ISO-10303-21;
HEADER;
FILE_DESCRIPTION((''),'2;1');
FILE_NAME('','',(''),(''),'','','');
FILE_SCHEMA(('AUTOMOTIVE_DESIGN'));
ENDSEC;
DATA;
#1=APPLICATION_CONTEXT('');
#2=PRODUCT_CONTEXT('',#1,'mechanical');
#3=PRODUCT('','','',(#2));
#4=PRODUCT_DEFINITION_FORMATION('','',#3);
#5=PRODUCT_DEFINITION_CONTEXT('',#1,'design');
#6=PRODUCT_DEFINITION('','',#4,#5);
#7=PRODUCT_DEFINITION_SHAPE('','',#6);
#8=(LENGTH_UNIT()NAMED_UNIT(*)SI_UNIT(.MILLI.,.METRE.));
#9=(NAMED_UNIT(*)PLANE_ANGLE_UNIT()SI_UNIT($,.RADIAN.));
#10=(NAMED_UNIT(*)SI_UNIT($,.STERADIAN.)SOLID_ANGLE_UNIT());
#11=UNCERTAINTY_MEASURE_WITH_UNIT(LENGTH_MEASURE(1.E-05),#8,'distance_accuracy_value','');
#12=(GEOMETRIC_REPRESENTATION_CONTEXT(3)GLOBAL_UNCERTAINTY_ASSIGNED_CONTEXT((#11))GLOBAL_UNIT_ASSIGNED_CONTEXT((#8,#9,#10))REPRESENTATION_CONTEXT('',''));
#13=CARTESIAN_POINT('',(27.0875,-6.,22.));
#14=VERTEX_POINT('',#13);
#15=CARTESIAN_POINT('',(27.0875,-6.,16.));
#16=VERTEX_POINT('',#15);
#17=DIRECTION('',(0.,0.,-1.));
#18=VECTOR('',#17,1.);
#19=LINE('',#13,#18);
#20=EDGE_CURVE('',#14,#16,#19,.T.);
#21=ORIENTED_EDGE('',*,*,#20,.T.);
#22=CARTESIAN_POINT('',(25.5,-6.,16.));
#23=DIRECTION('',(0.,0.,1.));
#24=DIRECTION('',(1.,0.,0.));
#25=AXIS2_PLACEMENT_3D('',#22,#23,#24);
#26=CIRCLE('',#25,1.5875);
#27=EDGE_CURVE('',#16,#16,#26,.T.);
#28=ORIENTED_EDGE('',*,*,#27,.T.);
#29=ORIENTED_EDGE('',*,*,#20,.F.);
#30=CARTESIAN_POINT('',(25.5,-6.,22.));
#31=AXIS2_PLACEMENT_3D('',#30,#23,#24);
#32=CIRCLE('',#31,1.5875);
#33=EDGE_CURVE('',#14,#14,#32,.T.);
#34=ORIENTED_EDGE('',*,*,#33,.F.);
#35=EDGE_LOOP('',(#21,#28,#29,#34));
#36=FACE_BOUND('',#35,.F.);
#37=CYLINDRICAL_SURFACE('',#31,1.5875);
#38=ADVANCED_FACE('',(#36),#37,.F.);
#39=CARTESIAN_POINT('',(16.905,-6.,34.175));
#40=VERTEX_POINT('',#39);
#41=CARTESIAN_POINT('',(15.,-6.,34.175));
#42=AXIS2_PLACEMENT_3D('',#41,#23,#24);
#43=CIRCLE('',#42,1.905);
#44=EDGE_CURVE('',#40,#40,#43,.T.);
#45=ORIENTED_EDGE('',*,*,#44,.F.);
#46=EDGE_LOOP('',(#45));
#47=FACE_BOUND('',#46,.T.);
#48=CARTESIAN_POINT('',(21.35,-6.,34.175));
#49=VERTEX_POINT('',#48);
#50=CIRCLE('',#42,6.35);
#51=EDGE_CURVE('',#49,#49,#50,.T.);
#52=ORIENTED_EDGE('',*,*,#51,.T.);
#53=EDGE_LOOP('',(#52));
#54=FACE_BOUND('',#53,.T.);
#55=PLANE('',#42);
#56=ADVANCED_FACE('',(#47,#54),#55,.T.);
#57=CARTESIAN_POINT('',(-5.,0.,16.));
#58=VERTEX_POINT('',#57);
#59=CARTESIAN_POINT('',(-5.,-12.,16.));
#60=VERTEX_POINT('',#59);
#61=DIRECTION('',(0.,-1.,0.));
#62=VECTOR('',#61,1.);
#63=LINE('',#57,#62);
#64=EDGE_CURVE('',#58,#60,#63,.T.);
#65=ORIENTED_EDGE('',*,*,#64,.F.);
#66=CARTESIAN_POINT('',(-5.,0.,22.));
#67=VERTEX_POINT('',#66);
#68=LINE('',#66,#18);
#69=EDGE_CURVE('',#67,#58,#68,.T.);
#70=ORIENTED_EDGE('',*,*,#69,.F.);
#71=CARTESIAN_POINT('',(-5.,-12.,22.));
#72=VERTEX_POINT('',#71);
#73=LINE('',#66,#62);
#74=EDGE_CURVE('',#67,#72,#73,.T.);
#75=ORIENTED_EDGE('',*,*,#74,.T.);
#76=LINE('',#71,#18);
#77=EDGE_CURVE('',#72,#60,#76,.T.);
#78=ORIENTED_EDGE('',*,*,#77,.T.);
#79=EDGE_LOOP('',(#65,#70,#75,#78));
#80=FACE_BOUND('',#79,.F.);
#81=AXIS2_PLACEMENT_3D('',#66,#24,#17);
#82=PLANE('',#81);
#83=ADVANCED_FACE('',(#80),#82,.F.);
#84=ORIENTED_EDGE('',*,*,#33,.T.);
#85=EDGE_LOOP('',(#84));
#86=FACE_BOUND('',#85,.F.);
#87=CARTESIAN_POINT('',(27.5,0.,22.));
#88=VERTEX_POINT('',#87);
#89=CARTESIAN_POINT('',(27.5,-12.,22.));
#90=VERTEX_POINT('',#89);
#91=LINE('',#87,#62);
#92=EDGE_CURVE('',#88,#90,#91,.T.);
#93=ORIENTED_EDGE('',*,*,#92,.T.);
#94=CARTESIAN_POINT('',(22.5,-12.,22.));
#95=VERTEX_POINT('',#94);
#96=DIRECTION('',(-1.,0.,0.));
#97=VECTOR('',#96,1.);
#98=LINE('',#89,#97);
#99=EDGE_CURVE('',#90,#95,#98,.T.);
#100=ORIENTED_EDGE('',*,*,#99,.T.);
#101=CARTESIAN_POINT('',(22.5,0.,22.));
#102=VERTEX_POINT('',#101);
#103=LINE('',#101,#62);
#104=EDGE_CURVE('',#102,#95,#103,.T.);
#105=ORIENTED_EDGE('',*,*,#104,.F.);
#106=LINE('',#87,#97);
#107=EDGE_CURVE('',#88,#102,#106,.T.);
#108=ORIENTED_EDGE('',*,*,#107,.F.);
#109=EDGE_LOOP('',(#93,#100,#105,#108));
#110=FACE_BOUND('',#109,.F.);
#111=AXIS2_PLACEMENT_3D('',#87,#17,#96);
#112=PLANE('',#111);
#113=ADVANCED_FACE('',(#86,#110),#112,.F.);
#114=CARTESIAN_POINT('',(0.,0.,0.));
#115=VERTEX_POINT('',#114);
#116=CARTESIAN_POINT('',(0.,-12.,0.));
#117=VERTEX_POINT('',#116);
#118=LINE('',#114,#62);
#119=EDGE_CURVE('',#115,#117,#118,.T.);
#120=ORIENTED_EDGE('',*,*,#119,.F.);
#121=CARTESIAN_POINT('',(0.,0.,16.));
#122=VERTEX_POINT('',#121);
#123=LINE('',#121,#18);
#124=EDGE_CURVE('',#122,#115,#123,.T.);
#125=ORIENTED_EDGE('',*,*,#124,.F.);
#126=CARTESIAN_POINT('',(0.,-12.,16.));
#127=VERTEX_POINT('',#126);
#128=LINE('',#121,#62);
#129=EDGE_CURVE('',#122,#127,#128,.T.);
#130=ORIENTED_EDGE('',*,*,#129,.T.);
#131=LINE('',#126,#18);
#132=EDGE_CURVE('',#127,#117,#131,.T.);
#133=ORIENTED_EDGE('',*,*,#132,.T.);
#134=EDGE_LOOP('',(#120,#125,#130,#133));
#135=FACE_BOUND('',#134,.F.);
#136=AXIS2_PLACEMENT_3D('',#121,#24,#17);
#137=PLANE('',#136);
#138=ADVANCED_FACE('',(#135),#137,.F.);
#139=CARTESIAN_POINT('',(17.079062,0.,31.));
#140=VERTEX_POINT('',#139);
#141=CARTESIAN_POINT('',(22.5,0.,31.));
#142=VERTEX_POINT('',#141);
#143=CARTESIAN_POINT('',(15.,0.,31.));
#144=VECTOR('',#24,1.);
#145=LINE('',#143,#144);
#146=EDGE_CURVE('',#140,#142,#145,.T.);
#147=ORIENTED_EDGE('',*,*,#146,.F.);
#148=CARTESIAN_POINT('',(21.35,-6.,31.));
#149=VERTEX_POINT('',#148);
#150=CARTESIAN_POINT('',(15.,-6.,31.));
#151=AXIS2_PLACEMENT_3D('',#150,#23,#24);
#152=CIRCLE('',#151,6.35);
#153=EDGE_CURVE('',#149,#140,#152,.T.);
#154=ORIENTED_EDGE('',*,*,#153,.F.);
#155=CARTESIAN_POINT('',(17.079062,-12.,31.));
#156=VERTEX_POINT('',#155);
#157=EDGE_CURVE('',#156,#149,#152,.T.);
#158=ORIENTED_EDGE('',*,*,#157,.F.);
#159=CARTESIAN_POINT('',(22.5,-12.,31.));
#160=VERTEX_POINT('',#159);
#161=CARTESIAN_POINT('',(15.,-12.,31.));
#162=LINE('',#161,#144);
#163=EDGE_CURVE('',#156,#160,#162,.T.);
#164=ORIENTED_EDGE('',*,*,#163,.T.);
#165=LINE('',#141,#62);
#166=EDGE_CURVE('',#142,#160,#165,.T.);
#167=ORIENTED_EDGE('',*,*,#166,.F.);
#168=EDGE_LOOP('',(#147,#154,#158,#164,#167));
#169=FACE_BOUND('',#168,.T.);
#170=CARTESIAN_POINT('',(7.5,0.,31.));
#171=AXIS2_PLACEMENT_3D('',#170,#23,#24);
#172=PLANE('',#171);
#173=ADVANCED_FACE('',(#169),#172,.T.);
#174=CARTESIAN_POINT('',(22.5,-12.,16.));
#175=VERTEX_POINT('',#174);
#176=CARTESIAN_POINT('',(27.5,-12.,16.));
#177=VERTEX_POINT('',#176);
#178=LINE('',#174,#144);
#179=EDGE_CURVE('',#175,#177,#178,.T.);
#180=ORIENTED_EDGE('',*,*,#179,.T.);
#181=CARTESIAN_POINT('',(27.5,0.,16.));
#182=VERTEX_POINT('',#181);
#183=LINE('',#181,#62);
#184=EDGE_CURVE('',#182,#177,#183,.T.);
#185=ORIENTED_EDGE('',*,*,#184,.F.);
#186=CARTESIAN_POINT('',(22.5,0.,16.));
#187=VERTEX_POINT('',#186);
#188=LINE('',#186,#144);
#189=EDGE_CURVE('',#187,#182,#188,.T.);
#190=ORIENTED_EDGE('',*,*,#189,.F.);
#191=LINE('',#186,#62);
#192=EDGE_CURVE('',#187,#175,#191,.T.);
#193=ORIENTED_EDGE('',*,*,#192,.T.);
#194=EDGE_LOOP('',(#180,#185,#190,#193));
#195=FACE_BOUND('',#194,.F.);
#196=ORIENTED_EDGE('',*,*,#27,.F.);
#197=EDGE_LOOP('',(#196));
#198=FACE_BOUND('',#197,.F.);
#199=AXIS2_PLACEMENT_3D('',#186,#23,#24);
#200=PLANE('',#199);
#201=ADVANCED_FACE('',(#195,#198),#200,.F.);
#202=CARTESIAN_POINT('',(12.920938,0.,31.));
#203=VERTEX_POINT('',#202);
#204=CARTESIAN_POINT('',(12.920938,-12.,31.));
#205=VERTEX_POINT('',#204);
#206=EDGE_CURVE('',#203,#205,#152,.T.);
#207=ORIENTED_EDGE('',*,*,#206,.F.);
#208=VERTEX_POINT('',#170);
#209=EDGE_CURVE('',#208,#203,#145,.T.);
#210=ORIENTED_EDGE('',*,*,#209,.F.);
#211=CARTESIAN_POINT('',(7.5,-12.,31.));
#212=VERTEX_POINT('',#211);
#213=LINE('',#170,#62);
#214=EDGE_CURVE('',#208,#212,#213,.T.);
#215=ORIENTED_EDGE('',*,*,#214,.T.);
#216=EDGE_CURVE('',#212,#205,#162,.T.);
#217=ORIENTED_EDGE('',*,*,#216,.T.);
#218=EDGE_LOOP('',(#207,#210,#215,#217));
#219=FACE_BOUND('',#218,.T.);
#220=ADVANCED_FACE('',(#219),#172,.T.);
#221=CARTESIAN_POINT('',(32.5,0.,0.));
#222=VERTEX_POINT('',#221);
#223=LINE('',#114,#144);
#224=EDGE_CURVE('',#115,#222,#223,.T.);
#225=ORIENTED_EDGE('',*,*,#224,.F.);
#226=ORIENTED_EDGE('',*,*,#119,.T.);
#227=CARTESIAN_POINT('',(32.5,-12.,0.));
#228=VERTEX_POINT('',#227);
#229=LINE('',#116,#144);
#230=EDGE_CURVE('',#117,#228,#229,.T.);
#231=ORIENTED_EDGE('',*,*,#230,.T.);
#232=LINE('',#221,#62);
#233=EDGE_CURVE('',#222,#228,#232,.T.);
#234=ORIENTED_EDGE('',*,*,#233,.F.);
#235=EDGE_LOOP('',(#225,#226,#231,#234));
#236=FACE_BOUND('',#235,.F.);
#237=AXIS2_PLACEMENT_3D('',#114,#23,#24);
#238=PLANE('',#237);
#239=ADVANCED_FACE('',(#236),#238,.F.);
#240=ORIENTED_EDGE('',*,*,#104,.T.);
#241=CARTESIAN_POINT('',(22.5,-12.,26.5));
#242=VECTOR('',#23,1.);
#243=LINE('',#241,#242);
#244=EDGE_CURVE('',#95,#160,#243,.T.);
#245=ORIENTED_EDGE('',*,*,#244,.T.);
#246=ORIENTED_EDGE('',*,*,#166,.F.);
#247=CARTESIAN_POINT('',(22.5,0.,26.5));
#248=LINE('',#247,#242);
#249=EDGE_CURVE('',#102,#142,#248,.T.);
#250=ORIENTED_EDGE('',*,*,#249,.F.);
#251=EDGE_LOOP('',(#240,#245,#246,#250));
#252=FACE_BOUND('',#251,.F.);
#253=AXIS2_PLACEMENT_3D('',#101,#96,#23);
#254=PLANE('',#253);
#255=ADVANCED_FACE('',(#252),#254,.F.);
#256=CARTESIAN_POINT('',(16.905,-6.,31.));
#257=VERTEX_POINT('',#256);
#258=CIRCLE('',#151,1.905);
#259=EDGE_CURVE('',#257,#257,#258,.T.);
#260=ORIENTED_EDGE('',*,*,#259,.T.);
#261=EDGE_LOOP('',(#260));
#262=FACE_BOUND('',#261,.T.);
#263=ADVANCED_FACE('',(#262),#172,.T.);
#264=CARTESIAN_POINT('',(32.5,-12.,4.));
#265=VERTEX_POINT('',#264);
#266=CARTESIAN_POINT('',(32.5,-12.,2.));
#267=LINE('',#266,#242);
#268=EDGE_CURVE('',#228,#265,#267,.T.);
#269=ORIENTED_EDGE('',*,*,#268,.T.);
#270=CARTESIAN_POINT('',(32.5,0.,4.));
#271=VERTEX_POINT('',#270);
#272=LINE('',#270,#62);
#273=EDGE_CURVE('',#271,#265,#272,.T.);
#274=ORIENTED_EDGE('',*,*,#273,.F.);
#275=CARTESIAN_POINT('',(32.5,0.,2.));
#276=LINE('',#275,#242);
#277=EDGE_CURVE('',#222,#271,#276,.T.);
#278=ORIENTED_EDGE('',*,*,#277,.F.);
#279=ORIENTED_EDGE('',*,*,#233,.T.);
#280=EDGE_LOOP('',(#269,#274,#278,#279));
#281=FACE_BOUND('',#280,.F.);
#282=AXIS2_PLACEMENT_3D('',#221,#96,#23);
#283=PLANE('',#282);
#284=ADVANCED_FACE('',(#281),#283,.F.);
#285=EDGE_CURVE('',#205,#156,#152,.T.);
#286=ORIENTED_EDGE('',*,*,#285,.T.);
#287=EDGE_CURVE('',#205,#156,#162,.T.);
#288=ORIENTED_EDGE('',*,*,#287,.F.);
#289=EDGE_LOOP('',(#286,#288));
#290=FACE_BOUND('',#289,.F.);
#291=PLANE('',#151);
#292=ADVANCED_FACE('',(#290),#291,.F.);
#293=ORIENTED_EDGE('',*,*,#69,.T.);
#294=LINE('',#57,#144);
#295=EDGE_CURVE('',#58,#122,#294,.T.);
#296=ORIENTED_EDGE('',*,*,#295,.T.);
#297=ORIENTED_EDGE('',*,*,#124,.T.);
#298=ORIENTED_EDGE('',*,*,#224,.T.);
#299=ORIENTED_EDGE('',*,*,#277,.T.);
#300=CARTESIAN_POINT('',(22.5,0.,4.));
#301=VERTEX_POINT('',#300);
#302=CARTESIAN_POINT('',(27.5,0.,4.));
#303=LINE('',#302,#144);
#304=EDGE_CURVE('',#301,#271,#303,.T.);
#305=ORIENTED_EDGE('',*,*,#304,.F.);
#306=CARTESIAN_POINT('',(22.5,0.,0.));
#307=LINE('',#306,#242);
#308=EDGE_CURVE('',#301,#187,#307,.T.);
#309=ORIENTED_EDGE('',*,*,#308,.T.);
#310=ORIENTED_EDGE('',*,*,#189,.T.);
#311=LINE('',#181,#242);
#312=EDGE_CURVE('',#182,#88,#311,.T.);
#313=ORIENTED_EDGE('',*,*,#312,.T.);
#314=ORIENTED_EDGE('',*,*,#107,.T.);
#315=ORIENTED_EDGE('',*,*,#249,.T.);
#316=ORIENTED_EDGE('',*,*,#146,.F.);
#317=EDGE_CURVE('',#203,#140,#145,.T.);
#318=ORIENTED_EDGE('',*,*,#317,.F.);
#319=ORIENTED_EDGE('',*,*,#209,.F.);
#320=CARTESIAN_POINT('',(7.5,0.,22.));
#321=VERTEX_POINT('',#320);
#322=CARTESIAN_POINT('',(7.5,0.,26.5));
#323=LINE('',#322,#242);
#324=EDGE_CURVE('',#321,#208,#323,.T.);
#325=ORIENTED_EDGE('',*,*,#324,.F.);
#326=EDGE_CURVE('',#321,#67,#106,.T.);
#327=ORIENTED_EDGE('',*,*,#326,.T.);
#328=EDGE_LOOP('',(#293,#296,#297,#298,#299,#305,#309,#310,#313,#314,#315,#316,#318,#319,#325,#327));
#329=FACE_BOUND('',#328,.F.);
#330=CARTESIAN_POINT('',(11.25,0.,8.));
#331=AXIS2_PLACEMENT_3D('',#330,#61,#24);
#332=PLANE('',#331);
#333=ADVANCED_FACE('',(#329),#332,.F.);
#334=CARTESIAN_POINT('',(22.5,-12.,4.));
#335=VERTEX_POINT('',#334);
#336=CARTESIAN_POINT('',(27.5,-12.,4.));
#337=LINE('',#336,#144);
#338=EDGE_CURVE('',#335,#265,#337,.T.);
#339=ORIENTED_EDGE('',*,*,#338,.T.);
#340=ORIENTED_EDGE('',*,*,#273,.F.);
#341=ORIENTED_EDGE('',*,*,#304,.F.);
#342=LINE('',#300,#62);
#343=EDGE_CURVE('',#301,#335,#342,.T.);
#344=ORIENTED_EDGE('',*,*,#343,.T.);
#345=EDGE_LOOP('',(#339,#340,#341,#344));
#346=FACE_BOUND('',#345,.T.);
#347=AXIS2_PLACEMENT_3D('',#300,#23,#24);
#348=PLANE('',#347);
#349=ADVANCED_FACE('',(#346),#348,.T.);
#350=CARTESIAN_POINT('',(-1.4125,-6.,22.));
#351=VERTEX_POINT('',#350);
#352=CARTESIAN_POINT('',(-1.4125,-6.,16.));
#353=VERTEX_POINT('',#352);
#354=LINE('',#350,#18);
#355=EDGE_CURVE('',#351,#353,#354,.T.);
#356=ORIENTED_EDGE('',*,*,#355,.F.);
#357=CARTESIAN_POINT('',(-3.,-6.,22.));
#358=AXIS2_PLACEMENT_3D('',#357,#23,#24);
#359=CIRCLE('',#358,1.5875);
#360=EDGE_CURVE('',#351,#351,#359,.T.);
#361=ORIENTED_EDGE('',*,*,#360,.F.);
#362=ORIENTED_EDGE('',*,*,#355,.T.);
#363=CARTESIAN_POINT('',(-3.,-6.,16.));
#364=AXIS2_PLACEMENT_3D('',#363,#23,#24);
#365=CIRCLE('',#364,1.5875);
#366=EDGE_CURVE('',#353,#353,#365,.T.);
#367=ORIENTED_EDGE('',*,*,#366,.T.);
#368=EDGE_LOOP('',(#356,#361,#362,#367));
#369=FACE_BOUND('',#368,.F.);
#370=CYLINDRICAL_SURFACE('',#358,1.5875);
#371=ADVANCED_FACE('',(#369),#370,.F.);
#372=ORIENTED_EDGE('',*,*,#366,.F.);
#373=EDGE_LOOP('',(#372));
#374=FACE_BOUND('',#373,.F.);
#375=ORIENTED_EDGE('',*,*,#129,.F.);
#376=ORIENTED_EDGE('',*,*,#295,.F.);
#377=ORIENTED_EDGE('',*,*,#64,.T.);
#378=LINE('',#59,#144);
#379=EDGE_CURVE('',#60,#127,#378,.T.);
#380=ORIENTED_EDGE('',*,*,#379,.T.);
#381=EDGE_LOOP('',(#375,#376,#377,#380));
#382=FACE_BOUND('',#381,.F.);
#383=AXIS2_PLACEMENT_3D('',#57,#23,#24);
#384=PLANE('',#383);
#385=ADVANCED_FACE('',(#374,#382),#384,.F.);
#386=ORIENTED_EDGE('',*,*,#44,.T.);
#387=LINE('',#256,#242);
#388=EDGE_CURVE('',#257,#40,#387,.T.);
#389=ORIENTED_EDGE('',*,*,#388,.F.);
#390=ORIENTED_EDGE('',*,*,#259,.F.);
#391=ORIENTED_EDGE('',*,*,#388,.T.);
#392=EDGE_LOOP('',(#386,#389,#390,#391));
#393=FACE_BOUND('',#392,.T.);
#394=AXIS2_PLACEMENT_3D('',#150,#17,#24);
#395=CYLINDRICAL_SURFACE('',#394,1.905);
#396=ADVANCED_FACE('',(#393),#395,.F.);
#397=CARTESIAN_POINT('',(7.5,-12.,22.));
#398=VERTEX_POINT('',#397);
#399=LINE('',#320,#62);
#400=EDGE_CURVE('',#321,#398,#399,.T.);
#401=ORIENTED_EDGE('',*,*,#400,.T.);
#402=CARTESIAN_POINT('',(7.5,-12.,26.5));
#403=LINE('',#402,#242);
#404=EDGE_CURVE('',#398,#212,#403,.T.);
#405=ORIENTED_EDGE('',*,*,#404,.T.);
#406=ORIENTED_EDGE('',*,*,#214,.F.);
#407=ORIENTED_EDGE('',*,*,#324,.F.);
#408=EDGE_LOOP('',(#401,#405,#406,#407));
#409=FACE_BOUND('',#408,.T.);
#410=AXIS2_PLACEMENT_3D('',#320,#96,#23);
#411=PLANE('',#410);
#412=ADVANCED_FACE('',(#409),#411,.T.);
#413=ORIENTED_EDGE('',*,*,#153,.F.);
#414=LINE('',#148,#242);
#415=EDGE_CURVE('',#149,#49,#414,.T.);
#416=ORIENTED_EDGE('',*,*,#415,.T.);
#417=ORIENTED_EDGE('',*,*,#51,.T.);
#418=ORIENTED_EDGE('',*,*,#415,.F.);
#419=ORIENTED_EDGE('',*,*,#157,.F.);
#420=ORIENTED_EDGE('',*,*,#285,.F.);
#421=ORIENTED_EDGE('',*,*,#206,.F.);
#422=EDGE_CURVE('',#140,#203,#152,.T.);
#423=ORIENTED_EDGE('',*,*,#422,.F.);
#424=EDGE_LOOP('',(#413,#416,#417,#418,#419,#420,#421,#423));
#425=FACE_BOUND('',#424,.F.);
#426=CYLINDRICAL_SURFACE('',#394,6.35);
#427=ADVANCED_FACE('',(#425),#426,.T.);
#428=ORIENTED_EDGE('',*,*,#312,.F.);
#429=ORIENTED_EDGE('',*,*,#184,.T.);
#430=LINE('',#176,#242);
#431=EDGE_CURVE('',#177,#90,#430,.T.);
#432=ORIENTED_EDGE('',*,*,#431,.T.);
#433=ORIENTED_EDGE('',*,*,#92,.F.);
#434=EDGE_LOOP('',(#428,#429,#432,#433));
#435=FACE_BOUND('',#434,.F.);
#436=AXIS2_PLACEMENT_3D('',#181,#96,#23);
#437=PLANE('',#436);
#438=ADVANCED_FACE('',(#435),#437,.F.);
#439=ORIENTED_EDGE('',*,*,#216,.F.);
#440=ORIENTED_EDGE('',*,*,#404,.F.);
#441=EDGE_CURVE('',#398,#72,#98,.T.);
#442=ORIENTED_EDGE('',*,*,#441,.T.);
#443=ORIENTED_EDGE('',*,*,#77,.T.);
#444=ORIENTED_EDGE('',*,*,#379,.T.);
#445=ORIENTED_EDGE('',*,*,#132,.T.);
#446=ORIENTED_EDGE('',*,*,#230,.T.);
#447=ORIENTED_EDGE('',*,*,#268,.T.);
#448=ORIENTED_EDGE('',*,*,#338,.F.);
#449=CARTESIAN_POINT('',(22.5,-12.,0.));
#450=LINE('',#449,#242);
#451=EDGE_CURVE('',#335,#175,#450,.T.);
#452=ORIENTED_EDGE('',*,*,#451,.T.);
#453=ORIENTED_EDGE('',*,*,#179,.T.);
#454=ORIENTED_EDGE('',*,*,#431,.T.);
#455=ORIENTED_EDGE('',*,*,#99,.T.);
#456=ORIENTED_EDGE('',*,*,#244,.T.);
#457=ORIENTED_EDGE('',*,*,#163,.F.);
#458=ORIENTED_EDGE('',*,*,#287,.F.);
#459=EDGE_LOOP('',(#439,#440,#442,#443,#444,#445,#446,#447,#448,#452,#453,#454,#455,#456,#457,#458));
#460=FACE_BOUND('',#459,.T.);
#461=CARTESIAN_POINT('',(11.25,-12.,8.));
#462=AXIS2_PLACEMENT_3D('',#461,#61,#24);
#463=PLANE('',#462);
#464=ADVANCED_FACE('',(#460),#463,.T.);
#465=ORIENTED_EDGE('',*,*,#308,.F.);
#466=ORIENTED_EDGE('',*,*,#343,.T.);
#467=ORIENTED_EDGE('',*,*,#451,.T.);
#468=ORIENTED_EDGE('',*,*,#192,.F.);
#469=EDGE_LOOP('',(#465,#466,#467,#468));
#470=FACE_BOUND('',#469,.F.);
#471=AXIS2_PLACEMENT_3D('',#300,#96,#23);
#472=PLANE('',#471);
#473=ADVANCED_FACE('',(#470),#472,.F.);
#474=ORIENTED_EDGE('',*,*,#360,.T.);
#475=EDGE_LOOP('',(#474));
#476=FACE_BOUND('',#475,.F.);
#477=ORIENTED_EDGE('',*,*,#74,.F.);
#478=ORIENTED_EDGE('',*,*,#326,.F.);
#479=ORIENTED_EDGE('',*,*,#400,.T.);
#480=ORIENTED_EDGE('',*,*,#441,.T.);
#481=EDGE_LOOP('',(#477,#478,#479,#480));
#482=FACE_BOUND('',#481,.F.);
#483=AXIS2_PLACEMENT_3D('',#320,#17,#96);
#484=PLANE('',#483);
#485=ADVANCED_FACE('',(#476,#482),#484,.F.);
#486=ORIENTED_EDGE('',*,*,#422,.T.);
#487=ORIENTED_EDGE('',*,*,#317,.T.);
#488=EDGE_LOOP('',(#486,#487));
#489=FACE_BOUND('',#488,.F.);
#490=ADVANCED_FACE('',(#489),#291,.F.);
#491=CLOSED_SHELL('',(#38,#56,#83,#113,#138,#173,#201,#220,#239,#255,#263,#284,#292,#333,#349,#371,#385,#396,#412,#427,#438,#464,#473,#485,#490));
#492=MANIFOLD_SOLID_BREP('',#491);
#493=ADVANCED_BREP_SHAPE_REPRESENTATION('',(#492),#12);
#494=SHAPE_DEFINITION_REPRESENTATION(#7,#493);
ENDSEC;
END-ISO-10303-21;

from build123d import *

# Parameters (mm, degrees)
F0_W     = 10
F0_H     = 4
F0_W_2   = 15
F0_H_2   = 9
F1_DEPTH = 12
F2_R     = 1.5875
F3_DEPTH = 10
F4_R     = 6.35
F4_R_2   = 1.905
F5_DEPTH = 3.175


with BuildPart() as f1:
    # F0 (on Front) → F1 (new body)
    with BuildSketch(Plane.XZ):
        Polygon((0, 16), (0, 0), (22.5, 0), (22.5, 4), (22.5, 16), align=None)
        with Locations((27.5, 2)):
            Rectangle(F0_W, F0_H)
        Polygon((-5, 16), (0, 16), (22.5, 16), (27.5, 16), (27.5, 22), (22.5, 22), (7.5, 22), (-5, 22), align=None)
        with Locations((15, 26.5)):
            Rectangle(F0_W_2, F0_H_2)
    extrude(amount=F1_DEPTH)

    # F2 (on face) → F3 (cut)
    with BuildSketch(Plane.XY.offset(22)):
        with Locations((-3, -6)):
            Circle(F2_R)
        with Locations((25.5, -6)):
            Circle(F2_R)
    extrude(amount=-F3_DEPTH, mode=Mode.SUBTRACT)

    # F4 (on face) → F5 (join)
    with BuildSketch(Plane.XY.offset(31)):
        with Locations((15, -6)):
            Circle(F4_R)
        with Locations((15, -6)):
            Circle(F4_R_2, mode=Mode.SUBTRACT)
    extrude(amount=F5_DEPTH)


solid = f1.part
